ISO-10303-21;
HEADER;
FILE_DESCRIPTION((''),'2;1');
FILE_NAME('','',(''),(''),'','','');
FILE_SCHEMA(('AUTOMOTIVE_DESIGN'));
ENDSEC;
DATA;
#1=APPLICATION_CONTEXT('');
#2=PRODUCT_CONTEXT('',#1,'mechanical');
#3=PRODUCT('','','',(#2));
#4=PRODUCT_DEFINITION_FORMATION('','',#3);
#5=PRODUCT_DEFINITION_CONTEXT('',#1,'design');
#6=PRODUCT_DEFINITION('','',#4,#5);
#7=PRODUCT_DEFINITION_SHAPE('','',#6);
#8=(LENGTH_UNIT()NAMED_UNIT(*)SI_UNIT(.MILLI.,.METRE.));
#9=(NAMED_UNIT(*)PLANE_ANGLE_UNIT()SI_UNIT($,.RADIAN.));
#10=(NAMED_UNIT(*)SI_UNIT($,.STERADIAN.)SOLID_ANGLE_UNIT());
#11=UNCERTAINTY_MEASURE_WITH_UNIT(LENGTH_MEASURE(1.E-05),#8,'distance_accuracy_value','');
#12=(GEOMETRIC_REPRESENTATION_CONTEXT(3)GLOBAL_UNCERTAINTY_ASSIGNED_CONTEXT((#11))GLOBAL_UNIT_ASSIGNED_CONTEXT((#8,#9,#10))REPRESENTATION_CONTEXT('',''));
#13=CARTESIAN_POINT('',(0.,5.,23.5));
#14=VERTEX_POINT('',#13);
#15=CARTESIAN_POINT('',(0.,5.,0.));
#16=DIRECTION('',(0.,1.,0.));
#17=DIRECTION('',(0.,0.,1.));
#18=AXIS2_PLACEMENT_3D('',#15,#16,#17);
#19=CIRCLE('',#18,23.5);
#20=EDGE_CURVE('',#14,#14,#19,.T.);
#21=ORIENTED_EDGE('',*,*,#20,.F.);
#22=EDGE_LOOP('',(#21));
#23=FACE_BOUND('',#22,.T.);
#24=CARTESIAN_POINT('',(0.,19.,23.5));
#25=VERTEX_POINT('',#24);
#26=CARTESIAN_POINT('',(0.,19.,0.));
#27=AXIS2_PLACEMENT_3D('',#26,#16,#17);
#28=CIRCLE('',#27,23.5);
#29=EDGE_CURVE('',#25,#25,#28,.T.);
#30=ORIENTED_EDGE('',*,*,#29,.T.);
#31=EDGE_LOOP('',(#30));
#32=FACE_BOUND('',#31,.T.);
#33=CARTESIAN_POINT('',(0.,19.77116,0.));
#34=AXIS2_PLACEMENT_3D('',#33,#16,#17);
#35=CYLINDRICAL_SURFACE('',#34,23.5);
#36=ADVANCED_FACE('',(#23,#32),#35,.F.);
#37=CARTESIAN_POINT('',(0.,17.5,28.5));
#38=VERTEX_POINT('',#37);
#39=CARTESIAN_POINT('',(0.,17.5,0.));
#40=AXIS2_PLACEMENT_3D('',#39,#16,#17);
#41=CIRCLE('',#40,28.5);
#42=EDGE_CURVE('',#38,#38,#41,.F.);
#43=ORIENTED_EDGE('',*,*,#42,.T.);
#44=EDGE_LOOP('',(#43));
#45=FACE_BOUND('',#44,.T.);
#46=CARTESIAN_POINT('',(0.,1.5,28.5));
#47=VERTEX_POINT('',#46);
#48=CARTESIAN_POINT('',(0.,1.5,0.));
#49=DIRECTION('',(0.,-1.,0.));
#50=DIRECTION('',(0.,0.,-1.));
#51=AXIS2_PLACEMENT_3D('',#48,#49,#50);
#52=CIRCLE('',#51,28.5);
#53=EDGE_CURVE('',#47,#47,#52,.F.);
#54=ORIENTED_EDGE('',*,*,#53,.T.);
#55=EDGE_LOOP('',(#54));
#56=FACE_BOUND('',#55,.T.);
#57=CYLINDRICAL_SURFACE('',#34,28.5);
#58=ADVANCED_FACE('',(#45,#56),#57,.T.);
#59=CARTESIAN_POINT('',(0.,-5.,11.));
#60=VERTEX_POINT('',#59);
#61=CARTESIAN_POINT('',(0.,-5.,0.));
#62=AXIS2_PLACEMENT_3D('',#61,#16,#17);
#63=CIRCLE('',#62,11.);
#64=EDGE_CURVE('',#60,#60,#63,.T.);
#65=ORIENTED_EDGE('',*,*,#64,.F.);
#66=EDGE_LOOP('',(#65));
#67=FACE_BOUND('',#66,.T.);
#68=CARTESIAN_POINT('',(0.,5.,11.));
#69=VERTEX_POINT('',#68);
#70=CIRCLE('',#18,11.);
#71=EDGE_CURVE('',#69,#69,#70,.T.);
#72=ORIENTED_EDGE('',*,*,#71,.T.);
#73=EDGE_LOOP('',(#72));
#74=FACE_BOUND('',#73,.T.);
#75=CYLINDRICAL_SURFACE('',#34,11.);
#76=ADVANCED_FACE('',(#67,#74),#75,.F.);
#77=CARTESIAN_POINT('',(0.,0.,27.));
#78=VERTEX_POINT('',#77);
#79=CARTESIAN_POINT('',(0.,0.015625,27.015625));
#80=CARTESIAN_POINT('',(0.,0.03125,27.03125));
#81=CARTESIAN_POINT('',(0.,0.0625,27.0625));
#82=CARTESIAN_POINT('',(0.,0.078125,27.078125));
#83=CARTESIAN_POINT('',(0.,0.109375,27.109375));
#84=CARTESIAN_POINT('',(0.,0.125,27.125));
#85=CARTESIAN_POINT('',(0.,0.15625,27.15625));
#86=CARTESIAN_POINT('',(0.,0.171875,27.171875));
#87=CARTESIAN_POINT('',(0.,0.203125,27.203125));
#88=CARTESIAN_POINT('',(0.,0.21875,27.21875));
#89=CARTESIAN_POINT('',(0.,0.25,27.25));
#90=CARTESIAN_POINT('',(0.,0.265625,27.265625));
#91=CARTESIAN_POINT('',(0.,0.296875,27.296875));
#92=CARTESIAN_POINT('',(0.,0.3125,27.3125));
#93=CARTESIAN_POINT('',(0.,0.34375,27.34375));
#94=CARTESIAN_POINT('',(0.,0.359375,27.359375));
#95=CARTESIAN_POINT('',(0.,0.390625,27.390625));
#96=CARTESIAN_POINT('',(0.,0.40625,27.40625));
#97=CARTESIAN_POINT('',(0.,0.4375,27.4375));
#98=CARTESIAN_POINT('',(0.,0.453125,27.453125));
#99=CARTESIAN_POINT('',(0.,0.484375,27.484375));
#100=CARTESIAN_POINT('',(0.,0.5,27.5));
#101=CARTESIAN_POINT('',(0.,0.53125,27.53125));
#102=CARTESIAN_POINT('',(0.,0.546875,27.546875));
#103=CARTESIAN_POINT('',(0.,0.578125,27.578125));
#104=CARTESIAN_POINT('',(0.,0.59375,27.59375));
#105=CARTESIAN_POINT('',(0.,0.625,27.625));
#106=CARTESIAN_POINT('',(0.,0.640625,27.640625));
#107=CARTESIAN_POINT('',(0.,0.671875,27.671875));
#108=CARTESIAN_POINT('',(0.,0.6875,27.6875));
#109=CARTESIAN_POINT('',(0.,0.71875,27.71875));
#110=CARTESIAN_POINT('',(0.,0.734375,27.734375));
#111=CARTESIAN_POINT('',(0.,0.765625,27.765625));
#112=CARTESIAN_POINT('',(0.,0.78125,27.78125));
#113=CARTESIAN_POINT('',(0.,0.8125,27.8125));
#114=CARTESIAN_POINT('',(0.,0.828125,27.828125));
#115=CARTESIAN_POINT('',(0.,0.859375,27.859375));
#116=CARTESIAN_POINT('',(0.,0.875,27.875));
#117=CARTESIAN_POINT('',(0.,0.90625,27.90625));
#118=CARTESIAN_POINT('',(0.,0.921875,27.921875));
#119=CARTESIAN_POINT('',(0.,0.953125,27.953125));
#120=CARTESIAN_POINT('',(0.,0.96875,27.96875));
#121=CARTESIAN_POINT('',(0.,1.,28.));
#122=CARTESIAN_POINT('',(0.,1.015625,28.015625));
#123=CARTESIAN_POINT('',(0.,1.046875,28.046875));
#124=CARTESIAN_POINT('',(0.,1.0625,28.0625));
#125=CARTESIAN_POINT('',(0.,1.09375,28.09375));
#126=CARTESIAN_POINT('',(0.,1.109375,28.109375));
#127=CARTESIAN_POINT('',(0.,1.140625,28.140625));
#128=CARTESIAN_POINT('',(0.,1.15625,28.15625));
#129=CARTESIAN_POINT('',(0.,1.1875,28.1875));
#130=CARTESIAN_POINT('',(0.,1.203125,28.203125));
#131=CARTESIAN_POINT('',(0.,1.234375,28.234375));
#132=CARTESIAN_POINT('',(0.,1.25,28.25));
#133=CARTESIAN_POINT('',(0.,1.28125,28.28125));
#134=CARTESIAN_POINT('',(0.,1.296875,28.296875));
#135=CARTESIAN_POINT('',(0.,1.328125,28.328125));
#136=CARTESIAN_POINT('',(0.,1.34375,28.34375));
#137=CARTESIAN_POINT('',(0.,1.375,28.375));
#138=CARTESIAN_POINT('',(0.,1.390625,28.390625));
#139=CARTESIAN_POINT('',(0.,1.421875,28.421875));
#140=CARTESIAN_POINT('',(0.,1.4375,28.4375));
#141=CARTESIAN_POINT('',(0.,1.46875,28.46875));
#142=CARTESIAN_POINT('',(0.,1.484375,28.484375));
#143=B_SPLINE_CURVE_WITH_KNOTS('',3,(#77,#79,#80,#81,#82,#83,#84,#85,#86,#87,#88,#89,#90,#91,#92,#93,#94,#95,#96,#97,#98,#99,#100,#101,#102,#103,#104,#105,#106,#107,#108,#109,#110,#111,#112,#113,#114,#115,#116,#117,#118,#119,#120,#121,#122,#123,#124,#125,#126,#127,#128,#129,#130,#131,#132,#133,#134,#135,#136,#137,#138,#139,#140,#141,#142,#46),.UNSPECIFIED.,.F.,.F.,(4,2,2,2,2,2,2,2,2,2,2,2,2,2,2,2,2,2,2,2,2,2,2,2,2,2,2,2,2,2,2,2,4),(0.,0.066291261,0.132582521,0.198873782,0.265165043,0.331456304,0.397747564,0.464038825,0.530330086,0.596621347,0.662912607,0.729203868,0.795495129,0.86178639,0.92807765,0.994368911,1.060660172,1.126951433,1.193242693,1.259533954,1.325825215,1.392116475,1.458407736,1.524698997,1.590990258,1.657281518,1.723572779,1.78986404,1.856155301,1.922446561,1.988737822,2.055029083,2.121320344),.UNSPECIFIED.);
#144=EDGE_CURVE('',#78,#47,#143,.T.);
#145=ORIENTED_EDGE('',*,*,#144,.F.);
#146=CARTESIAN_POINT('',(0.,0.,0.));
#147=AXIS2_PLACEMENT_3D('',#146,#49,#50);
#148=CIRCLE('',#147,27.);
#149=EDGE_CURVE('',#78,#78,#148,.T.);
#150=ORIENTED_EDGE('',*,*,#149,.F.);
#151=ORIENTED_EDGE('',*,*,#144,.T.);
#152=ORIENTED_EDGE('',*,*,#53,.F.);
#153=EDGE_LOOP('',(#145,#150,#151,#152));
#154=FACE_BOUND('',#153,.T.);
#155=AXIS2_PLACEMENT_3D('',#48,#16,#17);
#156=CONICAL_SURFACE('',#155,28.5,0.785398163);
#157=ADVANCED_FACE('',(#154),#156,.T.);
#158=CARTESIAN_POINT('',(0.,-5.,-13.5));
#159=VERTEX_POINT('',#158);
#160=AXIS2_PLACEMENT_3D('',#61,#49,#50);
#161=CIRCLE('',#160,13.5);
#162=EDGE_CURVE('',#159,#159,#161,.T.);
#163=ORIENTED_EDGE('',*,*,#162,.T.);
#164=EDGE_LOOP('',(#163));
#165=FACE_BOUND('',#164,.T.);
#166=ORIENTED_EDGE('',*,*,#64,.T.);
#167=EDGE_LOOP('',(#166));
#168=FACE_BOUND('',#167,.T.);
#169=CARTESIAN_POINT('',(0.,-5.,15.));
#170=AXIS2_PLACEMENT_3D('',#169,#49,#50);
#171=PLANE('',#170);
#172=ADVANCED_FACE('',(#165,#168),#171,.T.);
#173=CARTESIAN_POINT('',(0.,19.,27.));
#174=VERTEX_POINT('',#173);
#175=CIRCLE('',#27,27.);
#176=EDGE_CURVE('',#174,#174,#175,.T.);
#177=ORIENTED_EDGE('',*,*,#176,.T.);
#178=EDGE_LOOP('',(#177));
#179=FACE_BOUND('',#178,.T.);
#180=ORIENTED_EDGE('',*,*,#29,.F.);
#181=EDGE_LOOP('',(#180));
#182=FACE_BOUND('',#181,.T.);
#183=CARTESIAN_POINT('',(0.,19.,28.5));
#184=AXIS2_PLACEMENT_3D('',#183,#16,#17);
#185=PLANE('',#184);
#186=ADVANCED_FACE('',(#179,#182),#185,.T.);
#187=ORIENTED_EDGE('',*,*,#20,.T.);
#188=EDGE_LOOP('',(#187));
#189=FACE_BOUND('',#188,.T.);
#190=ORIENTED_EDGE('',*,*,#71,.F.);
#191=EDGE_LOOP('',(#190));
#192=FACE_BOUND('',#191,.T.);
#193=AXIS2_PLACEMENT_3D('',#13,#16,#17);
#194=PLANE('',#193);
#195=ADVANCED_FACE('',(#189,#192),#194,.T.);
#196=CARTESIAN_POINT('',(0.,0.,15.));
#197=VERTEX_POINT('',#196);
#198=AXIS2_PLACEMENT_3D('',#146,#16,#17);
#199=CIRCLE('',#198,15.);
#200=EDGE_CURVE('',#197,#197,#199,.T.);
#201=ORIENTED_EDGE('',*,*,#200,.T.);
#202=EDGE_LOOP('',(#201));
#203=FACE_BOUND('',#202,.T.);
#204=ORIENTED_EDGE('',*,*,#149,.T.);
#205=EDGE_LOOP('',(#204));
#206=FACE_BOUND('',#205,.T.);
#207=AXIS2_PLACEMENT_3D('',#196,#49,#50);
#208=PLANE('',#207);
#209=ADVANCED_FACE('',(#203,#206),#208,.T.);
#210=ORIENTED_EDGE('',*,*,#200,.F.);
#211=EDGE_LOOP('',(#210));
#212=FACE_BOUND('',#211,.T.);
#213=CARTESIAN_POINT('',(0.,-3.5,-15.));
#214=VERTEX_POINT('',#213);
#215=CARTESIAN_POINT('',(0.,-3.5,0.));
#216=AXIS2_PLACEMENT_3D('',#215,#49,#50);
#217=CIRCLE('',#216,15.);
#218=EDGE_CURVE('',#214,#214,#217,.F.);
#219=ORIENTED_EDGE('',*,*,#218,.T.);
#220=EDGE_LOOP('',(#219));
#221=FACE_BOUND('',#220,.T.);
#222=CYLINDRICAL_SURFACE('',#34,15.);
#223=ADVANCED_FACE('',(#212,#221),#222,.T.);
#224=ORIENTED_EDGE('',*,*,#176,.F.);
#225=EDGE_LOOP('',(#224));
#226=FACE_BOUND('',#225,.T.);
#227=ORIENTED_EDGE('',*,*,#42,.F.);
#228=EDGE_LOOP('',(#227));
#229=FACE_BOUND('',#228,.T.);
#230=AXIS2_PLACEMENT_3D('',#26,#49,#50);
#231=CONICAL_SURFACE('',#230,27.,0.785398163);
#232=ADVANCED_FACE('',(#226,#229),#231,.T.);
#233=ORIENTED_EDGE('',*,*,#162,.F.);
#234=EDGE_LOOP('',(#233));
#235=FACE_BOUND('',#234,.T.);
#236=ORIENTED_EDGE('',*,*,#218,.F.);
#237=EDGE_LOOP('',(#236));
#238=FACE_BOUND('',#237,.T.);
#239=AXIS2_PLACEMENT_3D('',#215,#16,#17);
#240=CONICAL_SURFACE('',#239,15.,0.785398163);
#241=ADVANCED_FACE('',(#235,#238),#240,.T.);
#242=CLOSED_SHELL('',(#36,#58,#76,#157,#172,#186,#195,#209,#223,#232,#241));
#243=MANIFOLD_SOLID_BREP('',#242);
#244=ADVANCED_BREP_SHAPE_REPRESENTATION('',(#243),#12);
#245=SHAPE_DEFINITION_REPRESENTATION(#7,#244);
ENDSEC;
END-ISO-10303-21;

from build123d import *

# Parameters (mm, degrees)
CHAMFER_1_SIZE = 1.5


with BuildPart() as part:
    # Эскиз1 → Повернуть1 (revolve)
    with BuildSketch(Plane(origin=(0, 0, 0), x_dir=(0, 0, -1), z_dir=(1, 0, 0))):
        Polygon((-15, 0), (-28.5, 0), (-28.5, 19), (-23.5, 19), (-23.5, 5), (-11, 5), (-11, -5), (-15, -5), align=None)
    revolve(axis=Axis((0, 19.771159875, 0), (0, -1, 0)))

    # Фаска1
    chamfer_1_edges = [part.edges().sort_by_distance(p)[0] for p in [
        (0, 19, -28.5),
        (0, 0, -28.5),
        (0, -5, -15),
    ]]
    chamfer(chamfer_1_edges, length=CHAMFER_1_SIZE)


solid = part.part
